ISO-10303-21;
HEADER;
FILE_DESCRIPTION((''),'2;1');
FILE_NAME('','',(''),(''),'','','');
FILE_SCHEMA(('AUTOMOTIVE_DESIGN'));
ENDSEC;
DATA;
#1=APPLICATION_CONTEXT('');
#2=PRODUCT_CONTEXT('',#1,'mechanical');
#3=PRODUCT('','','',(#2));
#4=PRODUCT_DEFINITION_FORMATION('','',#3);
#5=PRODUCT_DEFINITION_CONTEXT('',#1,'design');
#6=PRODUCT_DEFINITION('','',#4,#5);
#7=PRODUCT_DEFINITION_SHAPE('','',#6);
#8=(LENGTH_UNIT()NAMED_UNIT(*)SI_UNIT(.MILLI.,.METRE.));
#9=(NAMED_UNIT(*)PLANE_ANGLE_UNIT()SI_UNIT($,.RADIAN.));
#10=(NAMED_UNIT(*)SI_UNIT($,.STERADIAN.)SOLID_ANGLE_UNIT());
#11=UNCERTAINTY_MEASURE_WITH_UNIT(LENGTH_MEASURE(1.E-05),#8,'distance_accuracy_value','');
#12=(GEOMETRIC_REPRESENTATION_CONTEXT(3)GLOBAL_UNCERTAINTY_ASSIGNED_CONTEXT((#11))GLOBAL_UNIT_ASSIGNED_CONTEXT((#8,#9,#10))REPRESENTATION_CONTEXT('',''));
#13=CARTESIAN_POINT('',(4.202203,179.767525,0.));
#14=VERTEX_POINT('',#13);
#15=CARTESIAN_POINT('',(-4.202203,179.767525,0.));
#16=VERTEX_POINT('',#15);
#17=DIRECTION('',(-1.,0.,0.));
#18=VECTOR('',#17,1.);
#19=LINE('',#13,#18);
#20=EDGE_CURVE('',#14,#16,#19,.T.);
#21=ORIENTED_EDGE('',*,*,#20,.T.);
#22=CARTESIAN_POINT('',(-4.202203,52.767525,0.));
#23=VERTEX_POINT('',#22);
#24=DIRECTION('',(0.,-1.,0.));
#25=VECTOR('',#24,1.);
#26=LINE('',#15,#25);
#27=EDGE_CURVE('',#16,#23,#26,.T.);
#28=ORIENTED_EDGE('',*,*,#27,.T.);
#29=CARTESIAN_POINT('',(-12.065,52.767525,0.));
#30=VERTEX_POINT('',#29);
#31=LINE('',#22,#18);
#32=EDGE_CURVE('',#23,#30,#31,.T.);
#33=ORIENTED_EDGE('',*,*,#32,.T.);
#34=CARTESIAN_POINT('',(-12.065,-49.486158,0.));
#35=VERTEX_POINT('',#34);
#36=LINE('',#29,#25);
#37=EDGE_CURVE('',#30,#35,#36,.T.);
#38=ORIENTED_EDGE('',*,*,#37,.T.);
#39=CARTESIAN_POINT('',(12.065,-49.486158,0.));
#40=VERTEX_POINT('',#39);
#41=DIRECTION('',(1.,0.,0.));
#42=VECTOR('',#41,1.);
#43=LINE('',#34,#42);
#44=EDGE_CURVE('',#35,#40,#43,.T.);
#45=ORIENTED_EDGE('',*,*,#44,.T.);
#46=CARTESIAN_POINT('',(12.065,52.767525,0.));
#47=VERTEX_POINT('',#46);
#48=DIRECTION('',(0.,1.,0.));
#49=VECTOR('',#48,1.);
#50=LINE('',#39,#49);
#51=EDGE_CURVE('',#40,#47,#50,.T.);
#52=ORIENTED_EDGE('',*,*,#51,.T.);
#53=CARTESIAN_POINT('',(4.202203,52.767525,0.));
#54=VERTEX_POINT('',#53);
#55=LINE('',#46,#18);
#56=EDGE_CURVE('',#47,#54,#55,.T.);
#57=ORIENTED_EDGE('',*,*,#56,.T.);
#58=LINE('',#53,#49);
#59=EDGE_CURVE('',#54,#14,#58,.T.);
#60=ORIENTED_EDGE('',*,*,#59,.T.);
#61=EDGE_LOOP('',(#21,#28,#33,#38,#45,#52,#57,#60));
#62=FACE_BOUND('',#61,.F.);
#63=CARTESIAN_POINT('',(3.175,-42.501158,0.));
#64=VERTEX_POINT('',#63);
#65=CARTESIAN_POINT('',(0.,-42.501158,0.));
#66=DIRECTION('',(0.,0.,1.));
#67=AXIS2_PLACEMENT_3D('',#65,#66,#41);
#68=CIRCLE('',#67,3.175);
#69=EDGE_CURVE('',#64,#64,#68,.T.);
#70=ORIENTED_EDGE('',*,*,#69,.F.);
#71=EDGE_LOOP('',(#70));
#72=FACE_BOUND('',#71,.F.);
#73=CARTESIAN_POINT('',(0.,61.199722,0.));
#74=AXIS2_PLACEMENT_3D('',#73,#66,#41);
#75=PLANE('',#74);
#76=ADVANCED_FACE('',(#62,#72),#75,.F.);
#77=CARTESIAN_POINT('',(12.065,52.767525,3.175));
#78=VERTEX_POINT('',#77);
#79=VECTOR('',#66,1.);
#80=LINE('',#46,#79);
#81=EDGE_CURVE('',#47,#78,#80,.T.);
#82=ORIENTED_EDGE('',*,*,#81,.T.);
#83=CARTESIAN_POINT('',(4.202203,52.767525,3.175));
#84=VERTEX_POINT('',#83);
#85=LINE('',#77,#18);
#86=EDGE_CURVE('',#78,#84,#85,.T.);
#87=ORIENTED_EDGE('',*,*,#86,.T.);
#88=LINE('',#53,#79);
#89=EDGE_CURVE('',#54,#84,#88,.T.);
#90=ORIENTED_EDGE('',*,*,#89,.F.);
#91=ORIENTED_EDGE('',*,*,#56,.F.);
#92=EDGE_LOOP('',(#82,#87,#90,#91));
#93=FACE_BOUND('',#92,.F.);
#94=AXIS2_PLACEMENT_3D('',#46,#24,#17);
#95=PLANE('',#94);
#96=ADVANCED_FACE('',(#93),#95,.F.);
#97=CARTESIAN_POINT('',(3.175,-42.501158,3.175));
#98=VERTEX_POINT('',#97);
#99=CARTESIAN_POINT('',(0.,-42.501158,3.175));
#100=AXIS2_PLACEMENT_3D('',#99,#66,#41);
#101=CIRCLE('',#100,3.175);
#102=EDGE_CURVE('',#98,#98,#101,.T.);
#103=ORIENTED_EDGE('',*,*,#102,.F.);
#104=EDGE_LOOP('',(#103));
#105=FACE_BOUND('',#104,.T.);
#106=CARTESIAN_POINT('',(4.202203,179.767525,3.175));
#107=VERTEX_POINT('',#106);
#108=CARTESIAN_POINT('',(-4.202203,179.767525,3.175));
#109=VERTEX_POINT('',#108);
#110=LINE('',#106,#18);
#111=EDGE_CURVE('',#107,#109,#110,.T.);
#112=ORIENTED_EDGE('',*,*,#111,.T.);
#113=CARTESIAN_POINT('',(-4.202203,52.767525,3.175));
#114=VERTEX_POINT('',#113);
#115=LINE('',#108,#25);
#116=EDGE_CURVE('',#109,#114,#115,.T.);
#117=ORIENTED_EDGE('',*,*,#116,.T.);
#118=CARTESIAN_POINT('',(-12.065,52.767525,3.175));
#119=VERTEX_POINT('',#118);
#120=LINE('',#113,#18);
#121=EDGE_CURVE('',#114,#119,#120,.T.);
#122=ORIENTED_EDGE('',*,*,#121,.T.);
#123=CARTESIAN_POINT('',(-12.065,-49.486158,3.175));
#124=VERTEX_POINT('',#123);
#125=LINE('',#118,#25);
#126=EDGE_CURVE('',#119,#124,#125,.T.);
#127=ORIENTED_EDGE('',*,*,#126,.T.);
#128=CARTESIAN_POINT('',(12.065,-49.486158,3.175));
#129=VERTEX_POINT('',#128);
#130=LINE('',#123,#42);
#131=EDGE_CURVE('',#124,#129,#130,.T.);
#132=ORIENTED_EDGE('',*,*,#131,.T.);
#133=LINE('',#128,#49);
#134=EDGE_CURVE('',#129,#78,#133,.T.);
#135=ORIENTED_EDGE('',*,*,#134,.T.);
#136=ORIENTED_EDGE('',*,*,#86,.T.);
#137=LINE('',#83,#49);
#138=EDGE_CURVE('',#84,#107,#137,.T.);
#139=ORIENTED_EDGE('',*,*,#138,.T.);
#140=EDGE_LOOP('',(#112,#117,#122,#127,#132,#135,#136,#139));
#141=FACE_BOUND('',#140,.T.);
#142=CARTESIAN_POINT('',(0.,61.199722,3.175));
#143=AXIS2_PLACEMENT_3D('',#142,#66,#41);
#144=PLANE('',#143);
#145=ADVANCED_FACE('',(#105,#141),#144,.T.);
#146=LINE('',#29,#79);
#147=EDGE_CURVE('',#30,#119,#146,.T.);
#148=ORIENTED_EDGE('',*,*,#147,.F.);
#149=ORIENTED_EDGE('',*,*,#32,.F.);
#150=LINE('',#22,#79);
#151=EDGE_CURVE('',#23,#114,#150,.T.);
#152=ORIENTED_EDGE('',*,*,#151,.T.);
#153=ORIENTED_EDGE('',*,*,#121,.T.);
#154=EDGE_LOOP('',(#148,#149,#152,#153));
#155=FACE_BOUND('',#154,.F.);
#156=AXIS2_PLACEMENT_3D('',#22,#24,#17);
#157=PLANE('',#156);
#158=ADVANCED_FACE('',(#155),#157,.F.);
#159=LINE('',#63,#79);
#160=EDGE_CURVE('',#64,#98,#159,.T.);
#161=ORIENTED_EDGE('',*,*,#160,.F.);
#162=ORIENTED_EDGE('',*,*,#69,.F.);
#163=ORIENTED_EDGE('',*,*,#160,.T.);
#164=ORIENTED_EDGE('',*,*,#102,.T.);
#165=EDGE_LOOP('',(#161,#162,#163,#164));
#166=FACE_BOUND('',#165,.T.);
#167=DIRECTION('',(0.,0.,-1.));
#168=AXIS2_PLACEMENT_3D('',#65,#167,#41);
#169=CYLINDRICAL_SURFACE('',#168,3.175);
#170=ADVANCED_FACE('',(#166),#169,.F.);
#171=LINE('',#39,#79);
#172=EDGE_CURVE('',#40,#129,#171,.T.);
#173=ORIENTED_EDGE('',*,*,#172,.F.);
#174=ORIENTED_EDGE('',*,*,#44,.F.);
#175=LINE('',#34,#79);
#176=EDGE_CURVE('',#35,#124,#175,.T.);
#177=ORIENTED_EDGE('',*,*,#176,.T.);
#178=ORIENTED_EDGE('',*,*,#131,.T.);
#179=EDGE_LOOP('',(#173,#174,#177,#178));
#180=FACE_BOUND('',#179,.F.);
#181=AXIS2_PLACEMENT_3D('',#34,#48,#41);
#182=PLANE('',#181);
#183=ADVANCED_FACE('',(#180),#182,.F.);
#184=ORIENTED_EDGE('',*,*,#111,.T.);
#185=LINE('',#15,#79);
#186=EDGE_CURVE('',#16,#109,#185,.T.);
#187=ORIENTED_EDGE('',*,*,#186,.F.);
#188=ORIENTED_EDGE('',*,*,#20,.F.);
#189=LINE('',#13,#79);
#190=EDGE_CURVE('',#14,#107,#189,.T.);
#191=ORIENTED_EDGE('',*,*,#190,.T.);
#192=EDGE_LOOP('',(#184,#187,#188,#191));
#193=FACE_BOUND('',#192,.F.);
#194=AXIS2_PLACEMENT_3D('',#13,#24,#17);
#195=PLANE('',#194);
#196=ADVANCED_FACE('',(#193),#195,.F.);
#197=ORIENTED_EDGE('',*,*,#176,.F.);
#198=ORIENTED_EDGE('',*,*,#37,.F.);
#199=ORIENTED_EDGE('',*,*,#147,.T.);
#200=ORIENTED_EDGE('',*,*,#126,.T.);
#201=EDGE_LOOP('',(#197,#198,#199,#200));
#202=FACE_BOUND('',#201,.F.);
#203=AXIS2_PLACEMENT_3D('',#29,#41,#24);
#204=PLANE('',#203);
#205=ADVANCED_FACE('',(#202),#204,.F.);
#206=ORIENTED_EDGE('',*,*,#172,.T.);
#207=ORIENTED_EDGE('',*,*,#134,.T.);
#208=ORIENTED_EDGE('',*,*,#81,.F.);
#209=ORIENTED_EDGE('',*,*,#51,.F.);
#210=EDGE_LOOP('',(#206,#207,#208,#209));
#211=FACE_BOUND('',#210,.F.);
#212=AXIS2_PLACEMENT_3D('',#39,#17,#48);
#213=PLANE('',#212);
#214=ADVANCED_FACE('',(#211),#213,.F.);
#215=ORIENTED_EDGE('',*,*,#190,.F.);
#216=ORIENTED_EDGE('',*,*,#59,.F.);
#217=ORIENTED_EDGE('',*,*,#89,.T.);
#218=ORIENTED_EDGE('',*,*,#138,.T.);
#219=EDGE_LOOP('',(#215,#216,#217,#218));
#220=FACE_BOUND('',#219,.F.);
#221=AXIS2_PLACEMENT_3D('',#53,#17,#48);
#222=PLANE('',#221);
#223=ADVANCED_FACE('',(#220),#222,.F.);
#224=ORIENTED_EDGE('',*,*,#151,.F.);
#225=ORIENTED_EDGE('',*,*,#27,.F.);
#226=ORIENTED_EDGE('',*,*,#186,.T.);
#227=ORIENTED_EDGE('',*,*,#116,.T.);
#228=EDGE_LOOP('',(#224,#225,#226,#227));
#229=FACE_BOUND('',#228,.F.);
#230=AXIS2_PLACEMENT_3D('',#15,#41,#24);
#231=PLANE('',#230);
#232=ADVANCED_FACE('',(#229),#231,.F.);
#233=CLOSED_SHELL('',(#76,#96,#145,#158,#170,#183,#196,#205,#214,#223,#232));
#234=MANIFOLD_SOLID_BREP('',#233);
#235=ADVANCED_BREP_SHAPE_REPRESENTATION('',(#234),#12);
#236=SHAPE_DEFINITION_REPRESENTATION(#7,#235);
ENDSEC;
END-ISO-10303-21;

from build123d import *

# Parameters (mm, degrees)
F0_R     = 3.175
F1_DEPTH = 3.175


with BuildPart() as f1:
    # F0 (on Top) → F1 (new body)
    with BuildSketch(Plane.XY):
        Polygon((-12.065, 52.767525), (-12.065, -49.486158), (12.065, -49.486158), (12.065, 52.767525), (4.202203, 52.767525), (4.202203, 179.767525), (-4.202203, 179.767525), (-4.202203, 52.767525), align=None)
        with Locations((0, -42.501158)):
            Circle(F0_R, mode=Mode.SUBTRACT)
    extrude(amount=F1_DEPTH)


solid = f1.part
